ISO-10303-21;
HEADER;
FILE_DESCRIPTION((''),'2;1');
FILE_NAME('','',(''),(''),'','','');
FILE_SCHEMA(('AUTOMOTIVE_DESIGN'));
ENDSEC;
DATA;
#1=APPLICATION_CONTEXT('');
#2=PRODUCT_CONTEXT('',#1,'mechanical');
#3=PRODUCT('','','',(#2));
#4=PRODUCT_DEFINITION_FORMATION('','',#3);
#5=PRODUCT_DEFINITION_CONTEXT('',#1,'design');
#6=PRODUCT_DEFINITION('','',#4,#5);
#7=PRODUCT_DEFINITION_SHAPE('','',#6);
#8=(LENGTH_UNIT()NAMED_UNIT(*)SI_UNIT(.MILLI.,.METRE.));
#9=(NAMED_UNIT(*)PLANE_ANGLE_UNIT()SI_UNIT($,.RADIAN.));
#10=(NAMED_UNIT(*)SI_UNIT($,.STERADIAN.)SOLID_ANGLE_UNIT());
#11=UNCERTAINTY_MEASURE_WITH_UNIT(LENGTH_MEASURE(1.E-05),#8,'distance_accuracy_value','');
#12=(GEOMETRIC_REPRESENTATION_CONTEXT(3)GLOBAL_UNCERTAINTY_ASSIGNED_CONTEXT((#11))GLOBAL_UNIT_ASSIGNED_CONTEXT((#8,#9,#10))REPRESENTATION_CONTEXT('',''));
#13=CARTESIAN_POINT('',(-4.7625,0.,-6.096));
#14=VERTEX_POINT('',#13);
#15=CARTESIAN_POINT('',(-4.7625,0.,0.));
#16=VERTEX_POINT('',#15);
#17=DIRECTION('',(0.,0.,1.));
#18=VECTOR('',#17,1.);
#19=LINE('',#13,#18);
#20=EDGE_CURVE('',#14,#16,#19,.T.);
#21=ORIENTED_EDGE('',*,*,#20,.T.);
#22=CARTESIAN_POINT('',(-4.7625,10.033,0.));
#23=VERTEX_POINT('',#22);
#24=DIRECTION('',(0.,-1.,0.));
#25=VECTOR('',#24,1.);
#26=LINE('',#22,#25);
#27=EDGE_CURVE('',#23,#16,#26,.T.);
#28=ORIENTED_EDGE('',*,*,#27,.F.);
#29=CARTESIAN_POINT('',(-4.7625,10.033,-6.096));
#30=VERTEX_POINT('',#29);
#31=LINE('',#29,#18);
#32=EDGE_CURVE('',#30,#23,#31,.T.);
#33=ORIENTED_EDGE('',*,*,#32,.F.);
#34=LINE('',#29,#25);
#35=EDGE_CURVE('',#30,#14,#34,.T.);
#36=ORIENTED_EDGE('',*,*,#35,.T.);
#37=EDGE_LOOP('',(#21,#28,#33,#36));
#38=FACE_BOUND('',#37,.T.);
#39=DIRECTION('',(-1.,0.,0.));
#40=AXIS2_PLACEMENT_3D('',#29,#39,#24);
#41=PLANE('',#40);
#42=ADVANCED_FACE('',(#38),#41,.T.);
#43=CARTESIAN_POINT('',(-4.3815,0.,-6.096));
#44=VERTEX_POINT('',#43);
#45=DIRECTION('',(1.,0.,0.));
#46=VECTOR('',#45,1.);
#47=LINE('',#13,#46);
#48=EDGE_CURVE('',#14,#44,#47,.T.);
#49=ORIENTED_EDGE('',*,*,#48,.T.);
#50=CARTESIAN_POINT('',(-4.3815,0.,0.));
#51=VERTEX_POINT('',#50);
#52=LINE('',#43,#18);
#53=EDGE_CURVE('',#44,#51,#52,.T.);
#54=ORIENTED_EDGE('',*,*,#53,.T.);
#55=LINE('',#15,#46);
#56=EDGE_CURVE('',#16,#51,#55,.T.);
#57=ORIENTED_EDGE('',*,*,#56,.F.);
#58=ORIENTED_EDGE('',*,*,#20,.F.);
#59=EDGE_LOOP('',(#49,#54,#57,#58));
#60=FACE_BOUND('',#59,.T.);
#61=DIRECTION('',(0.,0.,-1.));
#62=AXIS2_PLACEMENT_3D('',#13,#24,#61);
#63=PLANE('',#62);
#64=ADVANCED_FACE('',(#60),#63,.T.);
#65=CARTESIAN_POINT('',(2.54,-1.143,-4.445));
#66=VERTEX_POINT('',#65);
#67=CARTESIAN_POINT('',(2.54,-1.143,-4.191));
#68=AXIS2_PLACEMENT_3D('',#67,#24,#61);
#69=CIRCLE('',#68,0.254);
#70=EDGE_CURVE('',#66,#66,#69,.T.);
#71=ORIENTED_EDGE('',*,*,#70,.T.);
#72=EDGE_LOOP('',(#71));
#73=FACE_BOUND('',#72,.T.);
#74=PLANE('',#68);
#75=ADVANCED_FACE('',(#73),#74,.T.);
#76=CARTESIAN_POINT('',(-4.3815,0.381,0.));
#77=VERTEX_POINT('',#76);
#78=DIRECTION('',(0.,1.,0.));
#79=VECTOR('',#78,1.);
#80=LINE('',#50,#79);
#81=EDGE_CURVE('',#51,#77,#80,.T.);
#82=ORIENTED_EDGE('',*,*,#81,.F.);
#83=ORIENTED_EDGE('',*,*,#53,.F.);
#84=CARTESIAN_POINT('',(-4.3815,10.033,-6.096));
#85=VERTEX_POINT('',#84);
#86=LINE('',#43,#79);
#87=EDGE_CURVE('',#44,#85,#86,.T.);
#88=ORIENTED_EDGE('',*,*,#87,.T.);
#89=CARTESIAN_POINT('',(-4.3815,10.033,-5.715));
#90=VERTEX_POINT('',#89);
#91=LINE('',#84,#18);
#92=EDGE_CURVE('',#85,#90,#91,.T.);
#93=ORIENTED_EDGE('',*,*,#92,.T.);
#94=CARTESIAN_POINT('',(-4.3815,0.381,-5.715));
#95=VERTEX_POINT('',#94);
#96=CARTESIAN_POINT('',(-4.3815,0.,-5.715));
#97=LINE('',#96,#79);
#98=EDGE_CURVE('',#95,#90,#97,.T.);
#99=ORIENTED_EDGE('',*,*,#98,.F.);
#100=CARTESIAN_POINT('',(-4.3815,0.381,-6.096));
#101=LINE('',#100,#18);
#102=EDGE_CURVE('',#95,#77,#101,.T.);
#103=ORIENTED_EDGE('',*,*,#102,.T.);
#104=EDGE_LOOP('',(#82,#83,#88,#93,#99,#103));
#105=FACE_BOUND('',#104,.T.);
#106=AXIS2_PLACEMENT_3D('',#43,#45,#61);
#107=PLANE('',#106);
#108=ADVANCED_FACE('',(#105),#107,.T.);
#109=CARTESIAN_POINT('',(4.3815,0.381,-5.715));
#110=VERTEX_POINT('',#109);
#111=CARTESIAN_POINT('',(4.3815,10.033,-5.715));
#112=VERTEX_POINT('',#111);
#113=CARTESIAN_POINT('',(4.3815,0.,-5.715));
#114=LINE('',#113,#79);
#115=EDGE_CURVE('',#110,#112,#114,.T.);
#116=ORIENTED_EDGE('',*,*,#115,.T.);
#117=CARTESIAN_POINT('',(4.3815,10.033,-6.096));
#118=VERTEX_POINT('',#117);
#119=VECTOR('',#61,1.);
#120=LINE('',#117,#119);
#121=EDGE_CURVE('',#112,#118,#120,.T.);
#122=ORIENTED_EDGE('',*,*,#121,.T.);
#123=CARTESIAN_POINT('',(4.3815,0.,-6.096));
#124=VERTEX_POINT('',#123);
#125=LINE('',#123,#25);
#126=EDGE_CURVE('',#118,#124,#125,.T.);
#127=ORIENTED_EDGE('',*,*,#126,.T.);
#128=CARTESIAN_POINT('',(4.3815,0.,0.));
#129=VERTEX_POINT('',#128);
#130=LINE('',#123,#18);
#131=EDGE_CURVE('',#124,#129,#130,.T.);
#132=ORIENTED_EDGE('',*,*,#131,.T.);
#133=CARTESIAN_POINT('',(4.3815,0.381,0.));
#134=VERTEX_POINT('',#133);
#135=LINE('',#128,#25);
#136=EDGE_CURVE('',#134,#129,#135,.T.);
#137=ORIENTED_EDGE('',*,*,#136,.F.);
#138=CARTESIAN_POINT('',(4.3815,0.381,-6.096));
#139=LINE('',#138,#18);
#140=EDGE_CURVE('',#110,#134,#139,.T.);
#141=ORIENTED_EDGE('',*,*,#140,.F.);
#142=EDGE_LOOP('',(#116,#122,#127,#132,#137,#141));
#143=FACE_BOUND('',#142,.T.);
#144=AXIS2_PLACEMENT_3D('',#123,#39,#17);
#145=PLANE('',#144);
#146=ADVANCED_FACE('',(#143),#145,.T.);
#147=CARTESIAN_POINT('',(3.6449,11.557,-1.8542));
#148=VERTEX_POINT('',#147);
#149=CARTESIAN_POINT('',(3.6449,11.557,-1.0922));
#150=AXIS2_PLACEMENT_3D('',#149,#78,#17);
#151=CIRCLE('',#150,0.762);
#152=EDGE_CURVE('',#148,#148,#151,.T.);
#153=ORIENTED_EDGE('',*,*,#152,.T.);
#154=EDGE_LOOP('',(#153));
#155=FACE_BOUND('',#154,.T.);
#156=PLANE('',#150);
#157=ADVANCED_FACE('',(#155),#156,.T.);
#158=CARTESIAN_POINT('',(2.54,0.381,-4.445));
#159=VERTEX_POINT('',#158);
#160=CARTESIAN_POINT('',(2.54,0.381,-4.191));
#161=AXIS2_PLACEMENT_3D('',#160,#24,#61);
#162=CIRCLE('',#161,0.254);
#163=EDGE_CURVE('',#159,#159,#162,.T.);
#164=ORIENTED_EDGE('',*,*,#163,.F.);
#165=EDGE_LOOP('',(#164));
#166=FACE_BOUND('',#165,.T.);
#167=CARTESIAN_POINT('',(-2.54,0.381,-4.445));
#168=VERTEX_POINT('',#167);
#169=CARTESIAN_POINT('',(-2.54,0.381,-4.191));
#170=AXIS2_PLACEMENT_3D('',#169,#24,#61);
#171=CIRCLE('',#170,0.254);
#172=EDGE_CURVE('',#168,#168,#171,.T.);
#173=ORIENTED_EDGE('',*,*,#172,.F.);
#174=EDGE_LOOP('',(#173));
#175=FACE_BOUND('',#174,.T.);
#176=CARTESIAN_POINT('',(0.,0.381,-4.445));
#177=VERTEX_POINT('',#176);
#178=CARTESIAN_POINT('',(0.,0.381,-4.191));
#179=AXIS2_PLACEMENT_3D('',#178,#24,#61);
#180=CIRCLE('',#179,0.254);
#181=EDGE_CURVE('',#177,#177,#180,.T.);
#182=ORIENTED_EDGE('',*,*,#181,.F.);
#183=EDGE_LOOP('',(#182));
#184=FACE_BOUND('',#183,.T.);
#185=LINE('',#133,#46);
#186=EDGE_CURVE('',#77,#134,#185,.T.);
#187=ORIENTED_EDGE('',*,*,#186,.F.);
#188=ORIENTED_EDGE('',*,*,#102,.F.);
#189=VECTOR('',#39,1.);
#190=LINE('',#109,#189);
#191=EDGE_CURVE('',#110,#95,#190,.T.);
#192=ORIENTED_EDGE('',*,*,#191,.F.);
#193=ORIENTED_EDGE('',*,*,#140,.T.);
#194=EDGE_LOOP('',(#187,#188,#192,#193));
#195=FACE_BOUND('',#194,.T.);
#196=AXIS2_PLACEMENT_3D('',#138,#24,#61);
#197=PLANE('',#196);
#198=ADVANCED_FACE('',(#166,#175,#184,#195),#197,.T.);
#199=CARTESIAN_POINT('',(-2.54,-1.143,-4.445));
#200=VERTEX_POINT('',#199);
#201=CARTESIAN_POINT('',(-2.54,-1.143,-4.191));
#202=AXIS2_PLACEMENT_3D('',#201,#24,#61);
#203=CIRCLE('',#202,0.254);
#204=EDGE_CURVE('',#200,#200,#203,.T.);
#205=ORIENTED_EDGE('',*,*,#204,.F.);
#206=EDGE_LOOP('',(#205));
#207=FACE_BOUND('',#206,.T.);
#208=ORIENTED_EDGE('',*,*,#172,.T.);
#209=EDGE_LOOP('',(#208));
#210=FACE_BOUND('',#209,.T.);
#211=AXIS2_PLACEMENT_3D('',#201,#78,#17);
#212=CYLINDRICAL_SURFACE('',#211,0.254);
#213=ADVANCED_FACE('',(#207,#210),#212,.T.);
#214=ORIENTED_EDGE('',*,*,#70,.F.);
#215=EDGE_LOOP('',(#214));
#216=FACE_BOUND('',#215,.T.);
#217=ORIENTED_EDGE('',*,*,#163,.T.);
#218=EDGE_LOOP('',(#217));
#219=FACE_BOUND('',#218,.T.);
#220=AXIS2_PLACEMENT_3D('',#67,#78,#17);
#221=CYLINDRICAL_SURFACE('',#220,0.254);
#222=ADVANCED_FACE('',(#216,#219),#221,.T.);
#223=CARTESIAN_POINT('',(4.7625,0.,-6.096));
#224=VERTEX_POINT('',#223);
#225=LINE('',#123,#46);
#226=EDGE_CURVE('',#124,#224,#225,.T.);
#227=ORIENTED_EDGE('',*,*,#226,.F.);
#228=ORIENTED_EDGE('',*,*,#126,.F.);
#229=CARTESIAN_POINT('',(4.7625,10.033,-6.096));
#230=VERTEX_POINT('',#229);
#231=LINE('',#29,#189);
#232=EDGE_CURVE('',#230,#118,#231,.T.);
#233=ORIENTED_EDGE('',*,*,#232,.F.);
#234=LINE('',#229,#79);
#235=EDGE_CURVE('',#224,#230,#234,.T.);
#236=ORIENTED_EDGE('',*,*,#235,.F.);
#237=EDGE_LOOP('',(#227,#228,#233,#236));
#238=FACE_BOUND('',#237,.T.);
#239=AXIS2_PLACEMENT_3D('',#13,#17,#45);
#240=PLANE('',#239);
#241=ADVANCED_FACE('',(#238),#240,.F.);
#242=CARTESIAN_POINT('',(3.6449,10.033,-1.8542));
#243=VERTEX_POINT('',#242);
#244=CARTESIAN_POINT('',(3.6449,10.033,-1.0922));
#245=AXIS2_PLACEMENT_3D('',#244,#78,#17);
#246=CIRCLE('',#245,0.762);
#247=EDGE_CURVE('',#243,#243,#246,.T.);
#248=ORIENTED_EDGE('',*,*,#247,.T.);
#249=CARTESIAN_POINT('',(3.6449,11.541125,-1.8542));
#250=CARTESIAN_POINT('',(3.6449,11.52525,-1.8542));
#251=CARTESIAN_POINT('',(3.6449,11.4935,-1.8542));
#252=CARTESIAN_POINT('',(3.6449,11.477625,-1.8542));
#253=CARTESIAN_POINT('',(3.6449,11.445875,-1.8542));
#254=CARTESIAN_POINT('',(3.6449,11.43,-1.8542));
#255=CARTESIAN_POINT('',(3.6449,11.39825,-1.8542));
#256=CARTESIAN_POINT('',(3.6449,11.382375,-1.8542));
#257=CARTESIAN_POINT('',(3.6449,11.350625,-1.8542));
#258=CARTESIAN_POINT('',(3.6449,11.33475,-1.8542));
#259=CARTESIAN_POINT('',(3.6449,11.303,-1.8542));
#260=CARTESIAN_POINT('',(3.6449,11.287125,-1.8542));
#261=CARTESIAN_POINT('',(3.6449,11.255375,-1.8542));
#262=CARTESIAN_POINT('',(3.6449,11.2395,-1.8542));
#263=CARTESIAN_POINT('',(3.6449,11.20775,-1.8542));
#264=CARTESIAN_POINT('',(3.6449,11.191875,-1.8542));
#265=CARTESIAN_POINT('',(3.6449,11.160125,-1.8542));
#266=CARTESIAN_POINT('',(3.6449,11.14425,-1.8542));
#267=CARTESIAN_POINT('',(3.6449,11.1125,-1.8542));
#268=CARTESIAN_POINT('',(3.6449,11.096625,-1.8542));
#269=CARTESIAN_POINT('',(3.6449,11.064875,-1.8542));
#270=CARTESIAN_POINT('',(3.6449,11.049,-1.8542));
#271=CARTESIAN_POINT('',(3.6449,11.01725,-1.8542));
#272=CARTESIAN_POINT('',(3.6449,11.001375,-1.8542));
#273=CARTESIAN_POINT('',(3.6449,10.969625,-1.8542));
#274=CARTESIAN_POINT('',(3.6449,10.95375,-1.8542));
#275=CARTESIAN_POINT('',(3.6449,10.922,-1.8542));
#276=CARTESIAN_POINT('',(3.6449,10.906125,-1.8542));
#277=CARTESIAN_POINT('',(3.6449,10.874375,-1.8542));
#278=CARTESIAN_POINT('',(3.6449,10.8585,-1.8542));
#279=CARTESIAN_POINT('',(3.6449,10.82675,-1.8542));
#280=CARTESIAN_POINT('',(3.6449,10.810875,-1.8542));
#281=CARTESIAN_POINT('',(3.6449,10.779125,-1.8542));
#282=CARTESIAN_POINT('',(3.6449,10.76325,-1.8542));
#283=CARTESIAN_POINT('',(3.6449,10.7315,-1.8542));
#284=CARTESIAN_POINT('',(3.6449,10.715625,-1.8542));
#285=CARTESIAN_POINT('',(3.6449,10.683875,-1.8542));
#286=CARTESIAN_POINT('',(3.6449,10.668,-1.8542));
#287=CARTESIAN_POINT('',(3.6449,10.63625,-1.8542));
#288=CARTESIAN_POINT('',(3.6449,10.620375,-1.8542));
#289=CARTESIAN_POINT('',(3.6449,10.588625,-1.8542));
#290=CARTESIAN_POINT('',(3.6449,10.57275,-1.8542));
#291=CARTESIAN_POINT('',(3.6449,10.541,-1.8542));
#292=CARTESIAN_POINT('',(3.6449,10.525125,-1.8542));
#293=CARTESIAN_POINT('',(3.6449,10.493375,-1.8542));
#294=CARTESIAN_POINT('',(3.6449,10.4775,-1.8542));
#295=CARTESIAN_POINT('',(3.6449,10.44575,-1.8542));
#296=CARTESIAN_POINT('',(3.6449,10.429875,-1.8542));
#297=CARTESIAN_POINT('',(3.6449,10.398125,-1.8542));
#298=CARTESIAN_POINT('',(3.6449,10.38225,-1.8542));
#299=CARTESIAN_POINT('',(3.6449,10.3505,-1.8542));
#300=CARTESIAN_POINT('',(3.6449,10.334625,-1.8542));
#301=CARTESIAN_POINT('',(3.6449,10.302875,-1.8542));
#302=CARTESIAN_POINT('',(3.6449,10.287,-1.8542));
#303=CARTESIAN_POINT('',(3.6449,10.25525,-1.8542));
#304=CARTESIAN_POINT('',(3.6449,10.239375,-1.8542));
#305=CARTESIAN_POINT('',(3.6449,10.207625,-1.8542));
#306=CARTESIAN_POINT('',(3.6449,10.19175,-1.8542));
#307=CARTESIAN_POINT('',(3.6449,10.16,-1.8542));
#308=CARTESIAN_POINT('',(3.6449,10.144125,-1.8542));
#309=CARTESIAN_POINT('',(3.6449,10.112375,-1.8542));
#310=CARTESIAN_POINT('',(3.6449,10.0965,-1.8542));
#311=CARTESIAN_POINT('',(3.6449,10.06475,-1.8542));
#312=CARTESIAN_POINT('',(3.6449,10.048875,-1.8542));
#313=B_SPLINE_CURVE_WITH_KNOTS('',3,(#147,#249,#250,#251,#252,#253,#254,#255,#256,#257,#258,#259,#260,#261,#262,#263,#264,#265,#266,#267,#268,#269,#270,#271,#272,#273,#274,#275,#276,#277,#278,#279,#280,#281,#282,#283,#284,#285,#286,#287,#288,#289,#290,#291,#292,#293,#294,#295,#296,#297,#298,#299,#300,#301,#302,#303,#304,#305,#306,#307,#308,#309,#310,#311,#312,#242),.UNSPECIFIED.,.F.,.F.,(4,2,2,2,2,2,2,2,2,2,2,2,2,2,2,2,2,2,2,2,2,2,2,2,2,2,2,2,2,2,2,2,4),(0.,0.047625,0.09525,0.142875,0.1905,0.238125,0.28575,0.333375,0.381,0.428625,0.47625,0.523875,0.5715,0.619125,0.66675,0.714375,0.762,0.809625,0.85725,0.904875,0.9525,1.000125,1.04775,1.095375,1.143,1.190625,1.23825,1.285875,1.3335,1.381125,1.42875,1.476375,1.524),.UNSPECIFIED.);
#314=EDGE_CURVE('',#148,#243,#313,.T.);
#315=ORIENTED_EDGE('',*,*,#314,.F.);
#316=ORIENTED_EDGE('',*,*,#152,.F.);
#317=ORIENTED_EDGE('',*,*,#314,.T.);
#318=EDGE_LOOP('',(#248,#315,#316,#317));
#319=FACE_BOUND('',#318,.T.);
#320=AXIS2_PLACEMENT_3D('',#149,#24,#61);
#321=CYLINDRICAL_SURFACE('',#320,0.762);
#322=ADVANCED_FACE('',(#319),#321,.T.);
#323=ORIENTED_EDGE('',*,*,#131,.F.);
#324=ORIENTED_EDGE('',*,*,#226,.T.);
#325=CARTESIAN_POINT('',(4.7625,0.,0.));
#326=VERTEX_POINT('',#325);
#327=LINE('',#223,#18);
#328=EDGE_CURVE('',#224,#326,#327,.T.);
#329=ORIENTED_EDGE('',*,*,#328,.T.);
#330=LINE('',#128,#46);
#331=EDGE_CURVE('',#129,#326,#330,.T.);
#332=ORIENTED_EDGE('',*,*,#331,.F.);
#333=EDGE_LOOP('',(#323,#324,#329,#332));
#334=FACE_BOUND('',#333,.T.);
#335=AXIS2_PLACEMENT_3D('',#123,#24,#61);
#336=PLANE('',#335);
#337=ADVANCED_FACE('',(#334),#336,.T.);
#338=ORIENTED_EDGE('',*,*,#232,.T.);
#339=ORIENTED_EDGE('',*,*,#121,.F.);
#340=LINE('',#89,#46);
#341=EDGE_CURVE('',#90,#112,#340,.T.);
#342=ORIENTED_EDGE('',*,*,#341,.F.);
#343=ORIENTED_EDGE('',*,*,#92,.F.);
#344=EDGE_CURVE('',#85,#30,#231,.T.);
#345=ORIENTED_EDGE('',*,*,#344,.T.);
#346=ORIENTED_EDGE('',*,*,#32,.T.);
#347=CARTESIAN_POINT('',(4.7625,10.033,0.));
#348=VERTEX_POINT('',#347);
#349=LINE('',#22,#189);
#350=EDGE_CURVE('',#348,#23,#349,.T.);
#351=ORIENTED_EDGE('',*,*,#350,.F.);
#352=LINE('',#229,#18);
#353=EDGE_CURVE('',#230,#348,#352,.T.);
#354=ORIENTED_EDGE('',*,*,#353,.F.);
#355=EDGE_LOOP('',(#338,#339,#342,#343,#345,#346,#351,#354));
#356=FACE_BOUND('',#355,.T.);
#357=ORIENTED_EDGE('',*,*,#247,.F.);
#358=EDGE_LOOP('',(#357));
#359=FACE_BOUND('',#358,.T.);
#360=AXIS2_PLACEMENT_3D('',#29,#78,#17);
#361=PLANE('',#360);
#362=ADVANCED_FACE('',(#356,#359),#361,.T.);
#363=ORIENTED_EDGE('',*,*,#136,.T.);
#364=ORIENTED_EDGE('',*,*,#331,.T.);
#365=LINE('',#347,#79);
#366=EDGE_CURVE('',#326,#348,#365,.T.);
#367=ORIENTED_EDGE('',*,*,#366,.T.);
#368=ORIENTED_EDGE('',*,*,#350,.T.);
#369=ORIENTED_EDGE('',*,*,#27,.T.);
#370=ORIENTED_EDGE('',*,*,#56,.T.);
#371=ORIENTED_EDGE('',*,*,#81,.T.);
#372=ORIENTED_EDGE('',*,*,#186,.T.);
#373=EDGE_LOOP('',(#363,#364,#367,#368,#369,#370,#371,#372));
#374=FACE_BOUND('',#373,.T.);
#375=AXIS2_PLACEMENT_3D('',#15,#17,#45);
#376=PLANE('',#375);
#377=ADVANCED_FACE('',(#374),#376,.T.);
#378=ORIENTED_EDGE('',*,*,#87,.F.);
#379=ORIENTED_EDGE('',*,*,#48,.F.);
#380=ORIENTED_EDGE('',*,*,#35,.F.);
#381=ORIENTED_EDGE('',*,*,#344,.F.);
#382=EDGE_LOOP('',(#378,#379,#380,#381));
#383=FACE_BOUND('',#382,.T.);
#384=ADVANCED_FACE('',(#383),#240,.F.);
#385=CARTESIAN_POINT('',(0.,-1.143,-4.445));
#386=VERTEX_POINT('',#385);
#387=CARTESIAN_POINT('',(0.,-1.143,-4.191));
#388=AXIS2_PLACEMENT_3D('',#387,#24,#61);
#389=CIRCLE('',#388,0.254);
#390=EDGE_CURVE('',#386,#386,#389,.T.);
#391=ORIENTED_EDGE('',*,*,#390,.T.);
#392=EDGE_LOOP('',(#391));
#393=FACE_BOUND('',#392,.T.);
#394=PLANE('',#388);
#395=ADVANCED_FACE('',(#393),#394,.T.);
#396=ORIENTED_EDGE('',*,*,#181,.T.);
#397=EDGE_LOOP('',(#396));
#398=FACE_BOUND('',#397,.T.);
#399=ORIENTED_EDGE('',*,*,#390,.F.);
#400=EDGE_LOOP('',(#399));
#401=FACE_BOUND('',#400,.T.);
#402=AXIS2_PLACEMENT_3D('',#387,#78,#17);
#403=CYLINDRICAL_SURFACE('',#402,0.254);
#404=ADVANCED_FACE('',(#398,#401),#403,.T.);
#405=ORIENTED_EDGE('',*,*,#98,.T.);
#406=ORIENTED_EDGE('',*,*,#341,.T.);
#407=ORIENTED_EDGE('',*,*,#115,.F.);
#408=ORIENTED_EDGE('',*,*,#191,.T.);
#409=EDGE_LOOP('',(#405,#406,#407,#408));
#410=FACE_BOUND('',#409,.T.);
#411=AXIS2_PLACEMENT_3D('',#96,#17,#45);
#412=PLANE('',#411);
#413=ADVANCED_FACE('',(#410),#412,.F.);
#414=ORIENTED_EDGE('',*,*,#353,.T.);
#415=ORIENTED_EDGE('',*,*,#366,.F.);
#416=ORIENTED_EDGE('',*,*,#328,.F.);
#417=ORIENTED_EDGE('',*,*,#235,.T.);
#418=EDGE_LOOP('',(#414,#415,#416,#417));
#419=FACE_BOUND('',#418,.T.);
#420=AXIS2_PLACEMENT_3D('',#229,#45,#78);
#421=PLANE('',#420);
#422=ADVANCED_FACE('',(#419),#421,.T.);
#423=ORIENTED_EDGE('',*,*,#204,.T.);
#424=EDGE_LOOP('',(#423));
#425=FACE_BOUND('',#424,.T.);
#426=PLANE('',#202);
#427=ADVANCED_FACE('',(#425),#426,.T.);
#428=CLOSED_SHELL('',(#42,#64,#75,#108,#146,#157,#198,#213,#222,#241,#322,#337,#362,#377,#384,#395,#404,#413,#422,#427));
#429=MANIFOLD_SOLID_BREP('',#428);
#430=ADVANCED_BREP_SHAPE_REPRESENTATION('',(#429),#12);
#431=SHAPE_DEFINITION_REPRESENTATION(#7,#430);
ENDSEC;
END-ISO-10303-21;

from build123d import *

# Parameters (mm, degrees)
BASE_EXTRUDE_DEPTH = 6.096
SKETCH2_W          = 8.763
SKETCH2_H          = 0.381
CUT_EXTRUDE1_DEPTH = 13.66900593
SKETCH3_R          = 0.762
SCREW_DEPTH        = 1.524
SKETCH4_R          = 0.254
PINS_DEPTH         = 1.524


with BuildPart() as part:
    # Sketch1 → Base-Extrude (new body)
    with BuildSketch(Plane.XY):
        Polygon((4.3815, 0), (4.7625, 0), (4.7625, 10.033), (-4.7625, 10.033), (-4.7625, 0), (-4.3815, 0), (-4.3815, 0.381), (4.3815, 0.381), align=None)
    extrude(amount=-BASE_EXTRUDE_DEPTH)

    # Sketch2 → Cut-Extrude1 (cut, through all)
    with BuildSketch(Plane(origin=(0, 10.033, 0), x_dir=(-1, 0, 0), z_dir=(0, 1, 0))):
        with Locations((0, -5.9055)):
            Rectangle(SKETCH2_W, SKETCH2_H)
    extrude(amount=-CUT_EXTRUDE1_DEPTH, mode=Mode.SUBTRACT)

    # Sketch3 → screw (add)
    with BuildSketch(Plane(origin=(0, 10.033, 0), x_dir=(-1, 0, 0), z_dir=(0, 1, 0))):
        with Locations(Location((-3.6449, -1.0922, 0), (0, 0, 270))):
            Circle(SKETCH3_R)
    extrude(amount=SCREW_DEPTH)

    # Sketch4 → Pins (add)
    with BuildSketch(Plane.XZ.offset(-0.381)):
        with Locations(Location((-2.54, -4.191, 0), (0, 0, 270))):
            Circle(SKETCH4_R)
        with Locations(Location((0, -4.191, 0), (0, 0, 270))):
            Circle(SKETCH4_R)
        with Locations(Location((2.54, -4.191, 0), (0, 0, 270))):
            Circle(SKETCH4_R)
    extrude(amount=PINS_DEPTH)


solid = part.part
